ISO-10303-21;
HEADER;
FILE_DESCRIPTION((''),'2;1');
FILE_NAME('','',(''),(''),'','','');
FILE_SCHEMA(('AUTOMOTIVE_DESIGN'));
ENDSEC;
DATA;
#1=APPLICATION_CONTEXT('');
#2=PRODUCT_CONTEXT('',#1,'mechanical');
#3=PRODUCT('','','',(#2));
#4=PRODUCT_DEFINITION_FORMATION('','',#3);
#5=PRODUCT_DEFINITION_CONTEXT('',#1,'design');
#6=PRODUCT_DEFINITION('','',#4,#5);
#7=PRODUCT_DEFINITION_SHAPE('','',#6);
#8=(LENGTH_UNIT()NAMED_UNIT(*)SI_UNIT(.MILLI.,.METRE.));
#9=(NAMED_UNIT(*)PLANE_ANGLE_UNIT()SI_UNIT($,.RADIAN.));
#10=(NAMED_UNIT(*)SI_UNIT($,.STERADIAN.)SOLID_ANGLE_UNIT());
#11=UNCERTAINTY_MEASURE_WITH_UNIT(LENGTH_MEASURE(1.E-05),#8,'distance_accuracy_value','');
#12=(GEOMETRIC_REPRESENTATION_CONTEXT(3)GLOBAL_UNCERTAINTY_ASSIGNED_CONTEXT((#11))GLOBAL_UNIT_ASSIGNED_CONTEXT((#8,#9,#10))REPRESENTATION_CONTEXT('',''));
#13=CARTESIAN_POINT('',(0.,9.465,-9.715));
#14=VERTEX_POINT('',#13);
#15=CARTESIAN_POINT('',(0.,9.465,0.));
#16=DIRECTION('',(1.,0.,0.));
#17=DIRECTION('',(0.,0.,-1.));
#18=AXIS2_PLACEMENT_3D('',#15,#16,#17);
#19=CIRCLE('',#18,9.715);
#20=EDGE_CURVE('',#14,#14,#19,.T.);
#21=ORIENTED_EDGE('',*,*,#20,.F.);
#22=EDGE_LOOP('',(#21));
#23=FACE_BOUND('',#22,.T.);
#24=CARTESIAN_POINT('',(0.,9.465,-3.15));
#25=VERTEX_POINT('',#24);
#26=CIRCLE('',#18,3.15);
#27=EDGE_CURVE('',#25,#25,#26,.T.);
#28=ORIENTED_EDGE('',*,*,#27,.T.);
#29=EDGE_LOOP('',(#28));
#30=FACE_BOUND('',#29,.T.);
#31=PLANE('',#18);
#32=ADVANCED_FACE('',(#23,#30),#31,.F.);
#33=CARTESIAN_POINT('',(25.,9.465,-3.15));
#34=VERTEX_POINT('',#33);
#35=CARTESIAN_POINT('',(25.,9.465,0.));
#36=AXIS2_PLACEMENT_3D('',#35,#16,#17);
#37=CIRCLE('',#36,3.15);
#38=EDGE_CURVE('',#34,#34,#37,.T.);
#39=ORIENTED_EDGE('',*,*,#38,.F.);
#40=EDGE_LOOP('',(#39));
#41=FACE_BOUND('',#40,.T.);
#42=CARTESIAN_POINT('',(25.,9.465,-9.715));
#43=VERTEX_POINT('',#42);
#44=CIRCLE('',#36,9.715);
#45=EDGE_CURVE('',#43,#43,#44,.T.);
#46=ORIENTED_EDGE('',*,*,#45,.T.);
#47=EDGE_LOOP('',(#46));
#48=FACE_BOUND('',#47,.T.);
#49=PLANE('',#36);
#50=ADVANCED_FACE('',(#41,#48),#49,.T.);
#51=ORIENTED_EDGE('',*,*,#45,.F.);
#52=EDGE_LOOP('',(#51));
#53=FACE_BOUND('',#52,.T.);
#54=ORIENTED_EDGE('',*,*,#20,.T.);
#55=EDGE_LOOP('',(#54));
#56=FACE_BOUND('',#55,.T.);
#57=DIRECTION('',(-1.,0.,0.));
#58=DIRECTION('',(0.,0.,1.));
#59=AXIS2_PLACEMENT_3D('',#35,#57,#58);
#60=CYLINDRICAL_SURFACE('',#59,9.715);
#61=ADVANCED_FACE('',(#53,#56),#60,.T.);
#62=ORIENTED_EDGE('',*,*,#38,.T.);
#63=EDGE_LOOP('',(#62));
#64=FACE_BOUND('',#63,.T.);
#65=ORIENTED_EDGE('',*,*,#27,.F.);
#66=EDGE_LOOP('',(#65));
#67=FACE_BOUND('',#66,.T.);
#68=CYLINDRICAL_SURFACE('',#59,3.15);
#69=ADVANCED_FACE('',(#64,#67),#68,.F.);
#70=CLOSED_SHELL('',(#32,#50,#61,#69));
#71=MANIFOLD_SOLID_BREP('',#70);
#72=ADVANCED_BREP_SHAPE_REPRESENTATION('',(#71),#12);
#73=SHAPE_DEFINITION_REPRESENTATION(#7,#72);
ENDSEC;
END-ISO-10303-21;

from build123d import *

# Parameters (mm, degrees)
SKETCH1_R           = 9.715
SKETCH1_R_2         = 3.15
BOSS_EXTRUDE1_DEPTH = 25


with BuildPart() as part:
    # Sketch1 → Boss-Extrude1 (new body)
    with BuildSketch(Plane(origin=(0, 0, 0), x_dir=(0, 0, -1), z_dir=(1, 0, 0))):
        with Locations((0, 9.465)):
            Circle(SKETCH1_R)
        with Locations((0, 9.465)):
            Circle(SKETCH1_R_2, mode=Mode.SUBTRACT)
    extrude(amount=BOSS_EXTRUDE1_DEPTH)


solid = part.part
